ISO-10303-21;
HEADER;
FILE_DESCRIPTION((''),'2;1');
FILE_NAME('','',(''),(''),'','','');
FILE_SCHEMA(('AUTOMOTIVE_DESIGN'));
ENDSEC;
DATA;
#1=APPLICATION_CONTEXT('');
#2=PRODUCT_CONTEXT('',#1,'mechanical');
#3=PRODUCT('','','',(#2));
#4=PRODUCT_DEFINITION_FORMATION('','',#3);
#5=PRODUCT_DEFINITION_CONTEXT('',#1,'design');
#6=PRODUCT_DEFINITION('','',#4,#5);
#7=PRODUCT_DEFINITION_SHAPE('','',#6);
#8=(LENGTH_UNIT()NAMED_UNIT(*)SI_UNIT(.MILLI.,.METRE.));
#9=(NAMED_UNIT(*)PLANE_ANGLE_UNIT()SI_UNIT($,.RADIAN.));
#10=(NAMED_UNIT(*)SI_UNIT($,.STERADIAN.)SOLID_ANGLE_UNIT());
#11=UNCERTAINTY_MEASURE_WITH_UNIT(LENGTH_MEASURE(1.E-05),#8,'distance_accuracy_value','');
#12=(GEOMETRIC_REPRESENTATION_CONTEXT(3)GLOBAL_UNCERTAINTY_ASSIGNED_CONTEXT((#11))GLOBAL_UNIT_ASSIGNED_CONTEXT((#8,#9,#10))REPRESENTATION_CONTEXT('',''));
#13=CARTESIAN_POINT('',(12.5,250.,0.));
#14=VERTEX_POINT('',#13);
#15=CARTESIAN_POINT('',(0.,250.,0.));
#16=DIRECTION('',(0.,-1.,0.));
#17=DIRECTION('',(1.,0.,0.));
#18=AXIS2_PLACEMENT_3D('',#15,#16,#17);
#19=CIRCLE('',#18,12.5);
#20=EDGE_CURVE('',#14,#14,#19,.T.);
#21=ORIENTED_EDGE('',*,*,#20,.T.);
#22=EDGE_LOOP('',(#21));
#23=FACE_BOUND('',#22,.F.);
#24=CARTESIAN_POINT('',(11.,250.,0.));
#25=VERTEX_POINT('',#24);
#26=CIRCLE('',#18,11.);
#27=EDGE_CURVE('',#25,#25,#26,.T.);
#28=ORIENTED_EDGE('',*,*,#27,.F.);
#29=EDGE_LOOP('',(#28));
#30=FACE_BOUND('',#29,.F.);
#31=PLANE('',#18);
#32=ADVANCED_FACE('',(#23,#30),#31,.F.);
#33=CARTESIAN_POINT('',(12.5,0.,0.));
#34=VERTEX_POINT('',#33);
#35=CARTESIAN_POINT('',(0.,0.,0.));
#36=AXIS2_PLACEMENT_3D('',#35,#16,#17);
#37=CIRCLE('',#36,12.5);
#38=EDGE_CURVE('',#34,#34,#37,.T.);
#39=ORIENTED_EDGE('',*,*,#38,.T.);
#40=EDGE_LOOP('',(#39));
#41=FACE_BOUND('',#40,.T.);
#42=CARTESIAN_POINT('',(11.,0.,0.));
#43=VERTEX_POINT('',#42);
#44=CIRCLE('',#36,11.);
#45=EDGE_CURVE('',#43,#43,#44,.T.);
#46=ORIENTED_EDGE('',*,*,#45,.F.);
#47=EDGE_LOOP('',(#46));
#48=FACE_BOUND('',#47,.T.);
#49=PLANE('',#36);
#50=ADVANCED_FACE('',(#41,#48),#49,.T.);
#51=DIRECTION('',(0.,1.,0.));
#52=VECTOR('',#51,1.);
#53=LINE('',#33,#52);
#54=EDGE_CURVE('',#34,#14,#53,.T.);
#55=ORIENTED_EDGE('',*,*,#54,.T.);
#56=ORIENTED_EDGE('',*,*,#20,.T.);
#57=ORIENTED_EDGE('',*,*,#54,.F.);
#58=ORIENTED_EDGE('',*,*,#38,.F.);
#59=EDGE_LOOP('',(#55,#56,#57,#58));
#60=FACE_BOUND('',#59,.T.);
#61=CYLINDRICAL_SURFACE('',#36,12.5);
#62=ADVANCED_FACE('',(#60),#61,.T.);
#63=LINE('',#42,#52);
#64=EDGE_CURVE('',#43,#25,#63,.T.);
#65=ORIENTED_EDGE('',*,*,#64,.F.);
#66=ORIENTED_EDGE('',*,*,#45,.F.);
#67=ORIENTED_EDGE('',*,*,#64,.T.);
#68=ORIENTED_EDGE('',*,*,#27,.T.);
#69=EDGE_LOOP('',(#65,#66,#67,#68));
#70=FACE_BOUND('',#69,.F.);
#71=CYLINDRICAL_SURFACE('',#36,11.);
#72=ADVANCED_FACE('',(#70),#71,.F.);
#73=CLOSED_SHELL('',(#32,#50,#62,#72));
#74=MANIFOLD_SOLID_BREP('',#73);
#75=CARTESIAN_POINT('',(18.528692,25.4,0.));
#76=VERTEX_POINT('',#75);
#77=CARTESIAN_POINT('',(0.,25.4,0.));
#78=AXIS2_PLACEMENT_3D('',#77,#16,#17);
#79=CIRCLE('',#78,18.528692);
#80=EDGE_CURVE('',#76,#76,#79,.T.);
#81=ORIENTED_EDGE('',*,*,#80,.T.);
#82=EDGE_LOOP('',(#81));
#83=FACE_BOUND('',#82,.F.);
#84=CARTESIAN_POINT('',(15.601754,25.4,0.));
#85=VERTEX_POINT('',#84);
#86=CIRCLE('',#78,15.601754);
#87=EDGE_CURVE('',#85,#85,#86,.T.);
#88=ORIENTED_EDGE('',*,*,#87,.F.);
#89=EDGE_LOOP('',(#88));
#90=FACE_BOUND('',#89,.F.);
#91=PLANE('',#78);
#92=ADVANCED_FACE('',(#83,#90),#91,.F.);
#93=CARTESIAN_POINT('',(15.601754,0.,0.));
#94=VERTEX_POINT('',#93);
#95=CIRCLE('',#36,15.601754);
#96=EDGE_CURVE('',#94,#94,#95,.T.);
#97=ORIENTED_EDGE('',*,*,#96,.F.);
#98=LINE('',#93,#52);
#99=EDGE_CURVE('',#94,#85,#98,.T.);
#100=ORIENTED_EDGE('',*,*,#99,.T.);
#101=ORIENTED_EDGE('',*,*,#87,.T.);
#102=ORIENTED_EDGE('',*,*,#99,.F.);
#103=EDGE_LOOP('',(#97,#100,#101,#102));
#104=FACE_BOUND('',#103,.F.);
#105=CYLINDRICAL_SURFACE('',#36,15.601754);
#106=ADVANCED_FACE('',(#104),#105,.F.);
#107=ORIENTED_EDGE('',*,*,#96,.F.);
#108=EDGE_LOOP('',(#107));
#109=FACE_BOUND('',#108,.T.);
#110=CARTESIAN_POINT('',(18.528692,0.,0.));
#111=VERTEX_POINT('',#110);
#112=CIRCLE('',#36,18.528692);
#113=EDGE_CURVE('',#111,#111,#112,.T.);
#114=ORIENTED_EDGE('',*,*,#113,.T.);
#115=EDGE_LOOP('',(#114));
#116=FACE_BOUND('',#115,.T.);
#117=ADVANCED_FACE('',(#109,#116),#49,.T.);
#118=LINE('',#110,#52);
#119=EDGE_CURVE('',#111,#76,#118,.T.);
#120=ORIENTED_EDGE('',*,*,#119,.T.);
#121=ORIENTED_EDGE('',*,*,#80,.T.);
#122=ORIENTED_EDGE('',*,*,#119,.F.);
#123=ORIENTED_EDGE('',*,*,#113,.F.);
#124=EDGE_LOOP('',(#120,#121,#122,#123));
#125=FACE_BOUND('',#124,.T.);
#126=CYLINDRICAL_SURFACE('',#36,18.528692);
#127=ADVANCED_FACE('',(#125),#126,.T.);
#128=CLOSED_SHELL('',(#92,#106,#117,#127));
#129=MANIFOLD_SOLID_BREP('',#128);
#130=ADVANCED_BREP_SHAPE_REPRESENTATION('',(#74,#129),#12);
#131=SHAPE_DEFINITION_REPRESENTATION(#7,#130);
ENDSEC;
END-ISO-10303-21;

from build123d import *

# Parameters (mm, degrees)
F0_R     = 12.5
F0_R_2   = 11
F1_DEPTH = 250
F2_R     = 18.528692
F2_R_2   = 15.601754
F3_DEPTH = 25.4


with BuildPart() as f1:
    # F0 (on Front) → F1 (new body)
    with BuildSketch(Plane.XZ):
        Circle(F0_R)
        Circle(F0_R_2, mode=Mode.SUBTRACT)
    extrude(amount=-F1_DEPTH)


with BuildPart() as f3:
    # F2 (on Front) → F3 (new body)
    with BuildSketch(Plane.XZ):
        Circle(F2_R)
        Circle(F2_R_2, mode=Mode.SUBTRACT)
    extrude(amount=-F3_DEPTH)


solid = Compound([f1.part, f3.part])
